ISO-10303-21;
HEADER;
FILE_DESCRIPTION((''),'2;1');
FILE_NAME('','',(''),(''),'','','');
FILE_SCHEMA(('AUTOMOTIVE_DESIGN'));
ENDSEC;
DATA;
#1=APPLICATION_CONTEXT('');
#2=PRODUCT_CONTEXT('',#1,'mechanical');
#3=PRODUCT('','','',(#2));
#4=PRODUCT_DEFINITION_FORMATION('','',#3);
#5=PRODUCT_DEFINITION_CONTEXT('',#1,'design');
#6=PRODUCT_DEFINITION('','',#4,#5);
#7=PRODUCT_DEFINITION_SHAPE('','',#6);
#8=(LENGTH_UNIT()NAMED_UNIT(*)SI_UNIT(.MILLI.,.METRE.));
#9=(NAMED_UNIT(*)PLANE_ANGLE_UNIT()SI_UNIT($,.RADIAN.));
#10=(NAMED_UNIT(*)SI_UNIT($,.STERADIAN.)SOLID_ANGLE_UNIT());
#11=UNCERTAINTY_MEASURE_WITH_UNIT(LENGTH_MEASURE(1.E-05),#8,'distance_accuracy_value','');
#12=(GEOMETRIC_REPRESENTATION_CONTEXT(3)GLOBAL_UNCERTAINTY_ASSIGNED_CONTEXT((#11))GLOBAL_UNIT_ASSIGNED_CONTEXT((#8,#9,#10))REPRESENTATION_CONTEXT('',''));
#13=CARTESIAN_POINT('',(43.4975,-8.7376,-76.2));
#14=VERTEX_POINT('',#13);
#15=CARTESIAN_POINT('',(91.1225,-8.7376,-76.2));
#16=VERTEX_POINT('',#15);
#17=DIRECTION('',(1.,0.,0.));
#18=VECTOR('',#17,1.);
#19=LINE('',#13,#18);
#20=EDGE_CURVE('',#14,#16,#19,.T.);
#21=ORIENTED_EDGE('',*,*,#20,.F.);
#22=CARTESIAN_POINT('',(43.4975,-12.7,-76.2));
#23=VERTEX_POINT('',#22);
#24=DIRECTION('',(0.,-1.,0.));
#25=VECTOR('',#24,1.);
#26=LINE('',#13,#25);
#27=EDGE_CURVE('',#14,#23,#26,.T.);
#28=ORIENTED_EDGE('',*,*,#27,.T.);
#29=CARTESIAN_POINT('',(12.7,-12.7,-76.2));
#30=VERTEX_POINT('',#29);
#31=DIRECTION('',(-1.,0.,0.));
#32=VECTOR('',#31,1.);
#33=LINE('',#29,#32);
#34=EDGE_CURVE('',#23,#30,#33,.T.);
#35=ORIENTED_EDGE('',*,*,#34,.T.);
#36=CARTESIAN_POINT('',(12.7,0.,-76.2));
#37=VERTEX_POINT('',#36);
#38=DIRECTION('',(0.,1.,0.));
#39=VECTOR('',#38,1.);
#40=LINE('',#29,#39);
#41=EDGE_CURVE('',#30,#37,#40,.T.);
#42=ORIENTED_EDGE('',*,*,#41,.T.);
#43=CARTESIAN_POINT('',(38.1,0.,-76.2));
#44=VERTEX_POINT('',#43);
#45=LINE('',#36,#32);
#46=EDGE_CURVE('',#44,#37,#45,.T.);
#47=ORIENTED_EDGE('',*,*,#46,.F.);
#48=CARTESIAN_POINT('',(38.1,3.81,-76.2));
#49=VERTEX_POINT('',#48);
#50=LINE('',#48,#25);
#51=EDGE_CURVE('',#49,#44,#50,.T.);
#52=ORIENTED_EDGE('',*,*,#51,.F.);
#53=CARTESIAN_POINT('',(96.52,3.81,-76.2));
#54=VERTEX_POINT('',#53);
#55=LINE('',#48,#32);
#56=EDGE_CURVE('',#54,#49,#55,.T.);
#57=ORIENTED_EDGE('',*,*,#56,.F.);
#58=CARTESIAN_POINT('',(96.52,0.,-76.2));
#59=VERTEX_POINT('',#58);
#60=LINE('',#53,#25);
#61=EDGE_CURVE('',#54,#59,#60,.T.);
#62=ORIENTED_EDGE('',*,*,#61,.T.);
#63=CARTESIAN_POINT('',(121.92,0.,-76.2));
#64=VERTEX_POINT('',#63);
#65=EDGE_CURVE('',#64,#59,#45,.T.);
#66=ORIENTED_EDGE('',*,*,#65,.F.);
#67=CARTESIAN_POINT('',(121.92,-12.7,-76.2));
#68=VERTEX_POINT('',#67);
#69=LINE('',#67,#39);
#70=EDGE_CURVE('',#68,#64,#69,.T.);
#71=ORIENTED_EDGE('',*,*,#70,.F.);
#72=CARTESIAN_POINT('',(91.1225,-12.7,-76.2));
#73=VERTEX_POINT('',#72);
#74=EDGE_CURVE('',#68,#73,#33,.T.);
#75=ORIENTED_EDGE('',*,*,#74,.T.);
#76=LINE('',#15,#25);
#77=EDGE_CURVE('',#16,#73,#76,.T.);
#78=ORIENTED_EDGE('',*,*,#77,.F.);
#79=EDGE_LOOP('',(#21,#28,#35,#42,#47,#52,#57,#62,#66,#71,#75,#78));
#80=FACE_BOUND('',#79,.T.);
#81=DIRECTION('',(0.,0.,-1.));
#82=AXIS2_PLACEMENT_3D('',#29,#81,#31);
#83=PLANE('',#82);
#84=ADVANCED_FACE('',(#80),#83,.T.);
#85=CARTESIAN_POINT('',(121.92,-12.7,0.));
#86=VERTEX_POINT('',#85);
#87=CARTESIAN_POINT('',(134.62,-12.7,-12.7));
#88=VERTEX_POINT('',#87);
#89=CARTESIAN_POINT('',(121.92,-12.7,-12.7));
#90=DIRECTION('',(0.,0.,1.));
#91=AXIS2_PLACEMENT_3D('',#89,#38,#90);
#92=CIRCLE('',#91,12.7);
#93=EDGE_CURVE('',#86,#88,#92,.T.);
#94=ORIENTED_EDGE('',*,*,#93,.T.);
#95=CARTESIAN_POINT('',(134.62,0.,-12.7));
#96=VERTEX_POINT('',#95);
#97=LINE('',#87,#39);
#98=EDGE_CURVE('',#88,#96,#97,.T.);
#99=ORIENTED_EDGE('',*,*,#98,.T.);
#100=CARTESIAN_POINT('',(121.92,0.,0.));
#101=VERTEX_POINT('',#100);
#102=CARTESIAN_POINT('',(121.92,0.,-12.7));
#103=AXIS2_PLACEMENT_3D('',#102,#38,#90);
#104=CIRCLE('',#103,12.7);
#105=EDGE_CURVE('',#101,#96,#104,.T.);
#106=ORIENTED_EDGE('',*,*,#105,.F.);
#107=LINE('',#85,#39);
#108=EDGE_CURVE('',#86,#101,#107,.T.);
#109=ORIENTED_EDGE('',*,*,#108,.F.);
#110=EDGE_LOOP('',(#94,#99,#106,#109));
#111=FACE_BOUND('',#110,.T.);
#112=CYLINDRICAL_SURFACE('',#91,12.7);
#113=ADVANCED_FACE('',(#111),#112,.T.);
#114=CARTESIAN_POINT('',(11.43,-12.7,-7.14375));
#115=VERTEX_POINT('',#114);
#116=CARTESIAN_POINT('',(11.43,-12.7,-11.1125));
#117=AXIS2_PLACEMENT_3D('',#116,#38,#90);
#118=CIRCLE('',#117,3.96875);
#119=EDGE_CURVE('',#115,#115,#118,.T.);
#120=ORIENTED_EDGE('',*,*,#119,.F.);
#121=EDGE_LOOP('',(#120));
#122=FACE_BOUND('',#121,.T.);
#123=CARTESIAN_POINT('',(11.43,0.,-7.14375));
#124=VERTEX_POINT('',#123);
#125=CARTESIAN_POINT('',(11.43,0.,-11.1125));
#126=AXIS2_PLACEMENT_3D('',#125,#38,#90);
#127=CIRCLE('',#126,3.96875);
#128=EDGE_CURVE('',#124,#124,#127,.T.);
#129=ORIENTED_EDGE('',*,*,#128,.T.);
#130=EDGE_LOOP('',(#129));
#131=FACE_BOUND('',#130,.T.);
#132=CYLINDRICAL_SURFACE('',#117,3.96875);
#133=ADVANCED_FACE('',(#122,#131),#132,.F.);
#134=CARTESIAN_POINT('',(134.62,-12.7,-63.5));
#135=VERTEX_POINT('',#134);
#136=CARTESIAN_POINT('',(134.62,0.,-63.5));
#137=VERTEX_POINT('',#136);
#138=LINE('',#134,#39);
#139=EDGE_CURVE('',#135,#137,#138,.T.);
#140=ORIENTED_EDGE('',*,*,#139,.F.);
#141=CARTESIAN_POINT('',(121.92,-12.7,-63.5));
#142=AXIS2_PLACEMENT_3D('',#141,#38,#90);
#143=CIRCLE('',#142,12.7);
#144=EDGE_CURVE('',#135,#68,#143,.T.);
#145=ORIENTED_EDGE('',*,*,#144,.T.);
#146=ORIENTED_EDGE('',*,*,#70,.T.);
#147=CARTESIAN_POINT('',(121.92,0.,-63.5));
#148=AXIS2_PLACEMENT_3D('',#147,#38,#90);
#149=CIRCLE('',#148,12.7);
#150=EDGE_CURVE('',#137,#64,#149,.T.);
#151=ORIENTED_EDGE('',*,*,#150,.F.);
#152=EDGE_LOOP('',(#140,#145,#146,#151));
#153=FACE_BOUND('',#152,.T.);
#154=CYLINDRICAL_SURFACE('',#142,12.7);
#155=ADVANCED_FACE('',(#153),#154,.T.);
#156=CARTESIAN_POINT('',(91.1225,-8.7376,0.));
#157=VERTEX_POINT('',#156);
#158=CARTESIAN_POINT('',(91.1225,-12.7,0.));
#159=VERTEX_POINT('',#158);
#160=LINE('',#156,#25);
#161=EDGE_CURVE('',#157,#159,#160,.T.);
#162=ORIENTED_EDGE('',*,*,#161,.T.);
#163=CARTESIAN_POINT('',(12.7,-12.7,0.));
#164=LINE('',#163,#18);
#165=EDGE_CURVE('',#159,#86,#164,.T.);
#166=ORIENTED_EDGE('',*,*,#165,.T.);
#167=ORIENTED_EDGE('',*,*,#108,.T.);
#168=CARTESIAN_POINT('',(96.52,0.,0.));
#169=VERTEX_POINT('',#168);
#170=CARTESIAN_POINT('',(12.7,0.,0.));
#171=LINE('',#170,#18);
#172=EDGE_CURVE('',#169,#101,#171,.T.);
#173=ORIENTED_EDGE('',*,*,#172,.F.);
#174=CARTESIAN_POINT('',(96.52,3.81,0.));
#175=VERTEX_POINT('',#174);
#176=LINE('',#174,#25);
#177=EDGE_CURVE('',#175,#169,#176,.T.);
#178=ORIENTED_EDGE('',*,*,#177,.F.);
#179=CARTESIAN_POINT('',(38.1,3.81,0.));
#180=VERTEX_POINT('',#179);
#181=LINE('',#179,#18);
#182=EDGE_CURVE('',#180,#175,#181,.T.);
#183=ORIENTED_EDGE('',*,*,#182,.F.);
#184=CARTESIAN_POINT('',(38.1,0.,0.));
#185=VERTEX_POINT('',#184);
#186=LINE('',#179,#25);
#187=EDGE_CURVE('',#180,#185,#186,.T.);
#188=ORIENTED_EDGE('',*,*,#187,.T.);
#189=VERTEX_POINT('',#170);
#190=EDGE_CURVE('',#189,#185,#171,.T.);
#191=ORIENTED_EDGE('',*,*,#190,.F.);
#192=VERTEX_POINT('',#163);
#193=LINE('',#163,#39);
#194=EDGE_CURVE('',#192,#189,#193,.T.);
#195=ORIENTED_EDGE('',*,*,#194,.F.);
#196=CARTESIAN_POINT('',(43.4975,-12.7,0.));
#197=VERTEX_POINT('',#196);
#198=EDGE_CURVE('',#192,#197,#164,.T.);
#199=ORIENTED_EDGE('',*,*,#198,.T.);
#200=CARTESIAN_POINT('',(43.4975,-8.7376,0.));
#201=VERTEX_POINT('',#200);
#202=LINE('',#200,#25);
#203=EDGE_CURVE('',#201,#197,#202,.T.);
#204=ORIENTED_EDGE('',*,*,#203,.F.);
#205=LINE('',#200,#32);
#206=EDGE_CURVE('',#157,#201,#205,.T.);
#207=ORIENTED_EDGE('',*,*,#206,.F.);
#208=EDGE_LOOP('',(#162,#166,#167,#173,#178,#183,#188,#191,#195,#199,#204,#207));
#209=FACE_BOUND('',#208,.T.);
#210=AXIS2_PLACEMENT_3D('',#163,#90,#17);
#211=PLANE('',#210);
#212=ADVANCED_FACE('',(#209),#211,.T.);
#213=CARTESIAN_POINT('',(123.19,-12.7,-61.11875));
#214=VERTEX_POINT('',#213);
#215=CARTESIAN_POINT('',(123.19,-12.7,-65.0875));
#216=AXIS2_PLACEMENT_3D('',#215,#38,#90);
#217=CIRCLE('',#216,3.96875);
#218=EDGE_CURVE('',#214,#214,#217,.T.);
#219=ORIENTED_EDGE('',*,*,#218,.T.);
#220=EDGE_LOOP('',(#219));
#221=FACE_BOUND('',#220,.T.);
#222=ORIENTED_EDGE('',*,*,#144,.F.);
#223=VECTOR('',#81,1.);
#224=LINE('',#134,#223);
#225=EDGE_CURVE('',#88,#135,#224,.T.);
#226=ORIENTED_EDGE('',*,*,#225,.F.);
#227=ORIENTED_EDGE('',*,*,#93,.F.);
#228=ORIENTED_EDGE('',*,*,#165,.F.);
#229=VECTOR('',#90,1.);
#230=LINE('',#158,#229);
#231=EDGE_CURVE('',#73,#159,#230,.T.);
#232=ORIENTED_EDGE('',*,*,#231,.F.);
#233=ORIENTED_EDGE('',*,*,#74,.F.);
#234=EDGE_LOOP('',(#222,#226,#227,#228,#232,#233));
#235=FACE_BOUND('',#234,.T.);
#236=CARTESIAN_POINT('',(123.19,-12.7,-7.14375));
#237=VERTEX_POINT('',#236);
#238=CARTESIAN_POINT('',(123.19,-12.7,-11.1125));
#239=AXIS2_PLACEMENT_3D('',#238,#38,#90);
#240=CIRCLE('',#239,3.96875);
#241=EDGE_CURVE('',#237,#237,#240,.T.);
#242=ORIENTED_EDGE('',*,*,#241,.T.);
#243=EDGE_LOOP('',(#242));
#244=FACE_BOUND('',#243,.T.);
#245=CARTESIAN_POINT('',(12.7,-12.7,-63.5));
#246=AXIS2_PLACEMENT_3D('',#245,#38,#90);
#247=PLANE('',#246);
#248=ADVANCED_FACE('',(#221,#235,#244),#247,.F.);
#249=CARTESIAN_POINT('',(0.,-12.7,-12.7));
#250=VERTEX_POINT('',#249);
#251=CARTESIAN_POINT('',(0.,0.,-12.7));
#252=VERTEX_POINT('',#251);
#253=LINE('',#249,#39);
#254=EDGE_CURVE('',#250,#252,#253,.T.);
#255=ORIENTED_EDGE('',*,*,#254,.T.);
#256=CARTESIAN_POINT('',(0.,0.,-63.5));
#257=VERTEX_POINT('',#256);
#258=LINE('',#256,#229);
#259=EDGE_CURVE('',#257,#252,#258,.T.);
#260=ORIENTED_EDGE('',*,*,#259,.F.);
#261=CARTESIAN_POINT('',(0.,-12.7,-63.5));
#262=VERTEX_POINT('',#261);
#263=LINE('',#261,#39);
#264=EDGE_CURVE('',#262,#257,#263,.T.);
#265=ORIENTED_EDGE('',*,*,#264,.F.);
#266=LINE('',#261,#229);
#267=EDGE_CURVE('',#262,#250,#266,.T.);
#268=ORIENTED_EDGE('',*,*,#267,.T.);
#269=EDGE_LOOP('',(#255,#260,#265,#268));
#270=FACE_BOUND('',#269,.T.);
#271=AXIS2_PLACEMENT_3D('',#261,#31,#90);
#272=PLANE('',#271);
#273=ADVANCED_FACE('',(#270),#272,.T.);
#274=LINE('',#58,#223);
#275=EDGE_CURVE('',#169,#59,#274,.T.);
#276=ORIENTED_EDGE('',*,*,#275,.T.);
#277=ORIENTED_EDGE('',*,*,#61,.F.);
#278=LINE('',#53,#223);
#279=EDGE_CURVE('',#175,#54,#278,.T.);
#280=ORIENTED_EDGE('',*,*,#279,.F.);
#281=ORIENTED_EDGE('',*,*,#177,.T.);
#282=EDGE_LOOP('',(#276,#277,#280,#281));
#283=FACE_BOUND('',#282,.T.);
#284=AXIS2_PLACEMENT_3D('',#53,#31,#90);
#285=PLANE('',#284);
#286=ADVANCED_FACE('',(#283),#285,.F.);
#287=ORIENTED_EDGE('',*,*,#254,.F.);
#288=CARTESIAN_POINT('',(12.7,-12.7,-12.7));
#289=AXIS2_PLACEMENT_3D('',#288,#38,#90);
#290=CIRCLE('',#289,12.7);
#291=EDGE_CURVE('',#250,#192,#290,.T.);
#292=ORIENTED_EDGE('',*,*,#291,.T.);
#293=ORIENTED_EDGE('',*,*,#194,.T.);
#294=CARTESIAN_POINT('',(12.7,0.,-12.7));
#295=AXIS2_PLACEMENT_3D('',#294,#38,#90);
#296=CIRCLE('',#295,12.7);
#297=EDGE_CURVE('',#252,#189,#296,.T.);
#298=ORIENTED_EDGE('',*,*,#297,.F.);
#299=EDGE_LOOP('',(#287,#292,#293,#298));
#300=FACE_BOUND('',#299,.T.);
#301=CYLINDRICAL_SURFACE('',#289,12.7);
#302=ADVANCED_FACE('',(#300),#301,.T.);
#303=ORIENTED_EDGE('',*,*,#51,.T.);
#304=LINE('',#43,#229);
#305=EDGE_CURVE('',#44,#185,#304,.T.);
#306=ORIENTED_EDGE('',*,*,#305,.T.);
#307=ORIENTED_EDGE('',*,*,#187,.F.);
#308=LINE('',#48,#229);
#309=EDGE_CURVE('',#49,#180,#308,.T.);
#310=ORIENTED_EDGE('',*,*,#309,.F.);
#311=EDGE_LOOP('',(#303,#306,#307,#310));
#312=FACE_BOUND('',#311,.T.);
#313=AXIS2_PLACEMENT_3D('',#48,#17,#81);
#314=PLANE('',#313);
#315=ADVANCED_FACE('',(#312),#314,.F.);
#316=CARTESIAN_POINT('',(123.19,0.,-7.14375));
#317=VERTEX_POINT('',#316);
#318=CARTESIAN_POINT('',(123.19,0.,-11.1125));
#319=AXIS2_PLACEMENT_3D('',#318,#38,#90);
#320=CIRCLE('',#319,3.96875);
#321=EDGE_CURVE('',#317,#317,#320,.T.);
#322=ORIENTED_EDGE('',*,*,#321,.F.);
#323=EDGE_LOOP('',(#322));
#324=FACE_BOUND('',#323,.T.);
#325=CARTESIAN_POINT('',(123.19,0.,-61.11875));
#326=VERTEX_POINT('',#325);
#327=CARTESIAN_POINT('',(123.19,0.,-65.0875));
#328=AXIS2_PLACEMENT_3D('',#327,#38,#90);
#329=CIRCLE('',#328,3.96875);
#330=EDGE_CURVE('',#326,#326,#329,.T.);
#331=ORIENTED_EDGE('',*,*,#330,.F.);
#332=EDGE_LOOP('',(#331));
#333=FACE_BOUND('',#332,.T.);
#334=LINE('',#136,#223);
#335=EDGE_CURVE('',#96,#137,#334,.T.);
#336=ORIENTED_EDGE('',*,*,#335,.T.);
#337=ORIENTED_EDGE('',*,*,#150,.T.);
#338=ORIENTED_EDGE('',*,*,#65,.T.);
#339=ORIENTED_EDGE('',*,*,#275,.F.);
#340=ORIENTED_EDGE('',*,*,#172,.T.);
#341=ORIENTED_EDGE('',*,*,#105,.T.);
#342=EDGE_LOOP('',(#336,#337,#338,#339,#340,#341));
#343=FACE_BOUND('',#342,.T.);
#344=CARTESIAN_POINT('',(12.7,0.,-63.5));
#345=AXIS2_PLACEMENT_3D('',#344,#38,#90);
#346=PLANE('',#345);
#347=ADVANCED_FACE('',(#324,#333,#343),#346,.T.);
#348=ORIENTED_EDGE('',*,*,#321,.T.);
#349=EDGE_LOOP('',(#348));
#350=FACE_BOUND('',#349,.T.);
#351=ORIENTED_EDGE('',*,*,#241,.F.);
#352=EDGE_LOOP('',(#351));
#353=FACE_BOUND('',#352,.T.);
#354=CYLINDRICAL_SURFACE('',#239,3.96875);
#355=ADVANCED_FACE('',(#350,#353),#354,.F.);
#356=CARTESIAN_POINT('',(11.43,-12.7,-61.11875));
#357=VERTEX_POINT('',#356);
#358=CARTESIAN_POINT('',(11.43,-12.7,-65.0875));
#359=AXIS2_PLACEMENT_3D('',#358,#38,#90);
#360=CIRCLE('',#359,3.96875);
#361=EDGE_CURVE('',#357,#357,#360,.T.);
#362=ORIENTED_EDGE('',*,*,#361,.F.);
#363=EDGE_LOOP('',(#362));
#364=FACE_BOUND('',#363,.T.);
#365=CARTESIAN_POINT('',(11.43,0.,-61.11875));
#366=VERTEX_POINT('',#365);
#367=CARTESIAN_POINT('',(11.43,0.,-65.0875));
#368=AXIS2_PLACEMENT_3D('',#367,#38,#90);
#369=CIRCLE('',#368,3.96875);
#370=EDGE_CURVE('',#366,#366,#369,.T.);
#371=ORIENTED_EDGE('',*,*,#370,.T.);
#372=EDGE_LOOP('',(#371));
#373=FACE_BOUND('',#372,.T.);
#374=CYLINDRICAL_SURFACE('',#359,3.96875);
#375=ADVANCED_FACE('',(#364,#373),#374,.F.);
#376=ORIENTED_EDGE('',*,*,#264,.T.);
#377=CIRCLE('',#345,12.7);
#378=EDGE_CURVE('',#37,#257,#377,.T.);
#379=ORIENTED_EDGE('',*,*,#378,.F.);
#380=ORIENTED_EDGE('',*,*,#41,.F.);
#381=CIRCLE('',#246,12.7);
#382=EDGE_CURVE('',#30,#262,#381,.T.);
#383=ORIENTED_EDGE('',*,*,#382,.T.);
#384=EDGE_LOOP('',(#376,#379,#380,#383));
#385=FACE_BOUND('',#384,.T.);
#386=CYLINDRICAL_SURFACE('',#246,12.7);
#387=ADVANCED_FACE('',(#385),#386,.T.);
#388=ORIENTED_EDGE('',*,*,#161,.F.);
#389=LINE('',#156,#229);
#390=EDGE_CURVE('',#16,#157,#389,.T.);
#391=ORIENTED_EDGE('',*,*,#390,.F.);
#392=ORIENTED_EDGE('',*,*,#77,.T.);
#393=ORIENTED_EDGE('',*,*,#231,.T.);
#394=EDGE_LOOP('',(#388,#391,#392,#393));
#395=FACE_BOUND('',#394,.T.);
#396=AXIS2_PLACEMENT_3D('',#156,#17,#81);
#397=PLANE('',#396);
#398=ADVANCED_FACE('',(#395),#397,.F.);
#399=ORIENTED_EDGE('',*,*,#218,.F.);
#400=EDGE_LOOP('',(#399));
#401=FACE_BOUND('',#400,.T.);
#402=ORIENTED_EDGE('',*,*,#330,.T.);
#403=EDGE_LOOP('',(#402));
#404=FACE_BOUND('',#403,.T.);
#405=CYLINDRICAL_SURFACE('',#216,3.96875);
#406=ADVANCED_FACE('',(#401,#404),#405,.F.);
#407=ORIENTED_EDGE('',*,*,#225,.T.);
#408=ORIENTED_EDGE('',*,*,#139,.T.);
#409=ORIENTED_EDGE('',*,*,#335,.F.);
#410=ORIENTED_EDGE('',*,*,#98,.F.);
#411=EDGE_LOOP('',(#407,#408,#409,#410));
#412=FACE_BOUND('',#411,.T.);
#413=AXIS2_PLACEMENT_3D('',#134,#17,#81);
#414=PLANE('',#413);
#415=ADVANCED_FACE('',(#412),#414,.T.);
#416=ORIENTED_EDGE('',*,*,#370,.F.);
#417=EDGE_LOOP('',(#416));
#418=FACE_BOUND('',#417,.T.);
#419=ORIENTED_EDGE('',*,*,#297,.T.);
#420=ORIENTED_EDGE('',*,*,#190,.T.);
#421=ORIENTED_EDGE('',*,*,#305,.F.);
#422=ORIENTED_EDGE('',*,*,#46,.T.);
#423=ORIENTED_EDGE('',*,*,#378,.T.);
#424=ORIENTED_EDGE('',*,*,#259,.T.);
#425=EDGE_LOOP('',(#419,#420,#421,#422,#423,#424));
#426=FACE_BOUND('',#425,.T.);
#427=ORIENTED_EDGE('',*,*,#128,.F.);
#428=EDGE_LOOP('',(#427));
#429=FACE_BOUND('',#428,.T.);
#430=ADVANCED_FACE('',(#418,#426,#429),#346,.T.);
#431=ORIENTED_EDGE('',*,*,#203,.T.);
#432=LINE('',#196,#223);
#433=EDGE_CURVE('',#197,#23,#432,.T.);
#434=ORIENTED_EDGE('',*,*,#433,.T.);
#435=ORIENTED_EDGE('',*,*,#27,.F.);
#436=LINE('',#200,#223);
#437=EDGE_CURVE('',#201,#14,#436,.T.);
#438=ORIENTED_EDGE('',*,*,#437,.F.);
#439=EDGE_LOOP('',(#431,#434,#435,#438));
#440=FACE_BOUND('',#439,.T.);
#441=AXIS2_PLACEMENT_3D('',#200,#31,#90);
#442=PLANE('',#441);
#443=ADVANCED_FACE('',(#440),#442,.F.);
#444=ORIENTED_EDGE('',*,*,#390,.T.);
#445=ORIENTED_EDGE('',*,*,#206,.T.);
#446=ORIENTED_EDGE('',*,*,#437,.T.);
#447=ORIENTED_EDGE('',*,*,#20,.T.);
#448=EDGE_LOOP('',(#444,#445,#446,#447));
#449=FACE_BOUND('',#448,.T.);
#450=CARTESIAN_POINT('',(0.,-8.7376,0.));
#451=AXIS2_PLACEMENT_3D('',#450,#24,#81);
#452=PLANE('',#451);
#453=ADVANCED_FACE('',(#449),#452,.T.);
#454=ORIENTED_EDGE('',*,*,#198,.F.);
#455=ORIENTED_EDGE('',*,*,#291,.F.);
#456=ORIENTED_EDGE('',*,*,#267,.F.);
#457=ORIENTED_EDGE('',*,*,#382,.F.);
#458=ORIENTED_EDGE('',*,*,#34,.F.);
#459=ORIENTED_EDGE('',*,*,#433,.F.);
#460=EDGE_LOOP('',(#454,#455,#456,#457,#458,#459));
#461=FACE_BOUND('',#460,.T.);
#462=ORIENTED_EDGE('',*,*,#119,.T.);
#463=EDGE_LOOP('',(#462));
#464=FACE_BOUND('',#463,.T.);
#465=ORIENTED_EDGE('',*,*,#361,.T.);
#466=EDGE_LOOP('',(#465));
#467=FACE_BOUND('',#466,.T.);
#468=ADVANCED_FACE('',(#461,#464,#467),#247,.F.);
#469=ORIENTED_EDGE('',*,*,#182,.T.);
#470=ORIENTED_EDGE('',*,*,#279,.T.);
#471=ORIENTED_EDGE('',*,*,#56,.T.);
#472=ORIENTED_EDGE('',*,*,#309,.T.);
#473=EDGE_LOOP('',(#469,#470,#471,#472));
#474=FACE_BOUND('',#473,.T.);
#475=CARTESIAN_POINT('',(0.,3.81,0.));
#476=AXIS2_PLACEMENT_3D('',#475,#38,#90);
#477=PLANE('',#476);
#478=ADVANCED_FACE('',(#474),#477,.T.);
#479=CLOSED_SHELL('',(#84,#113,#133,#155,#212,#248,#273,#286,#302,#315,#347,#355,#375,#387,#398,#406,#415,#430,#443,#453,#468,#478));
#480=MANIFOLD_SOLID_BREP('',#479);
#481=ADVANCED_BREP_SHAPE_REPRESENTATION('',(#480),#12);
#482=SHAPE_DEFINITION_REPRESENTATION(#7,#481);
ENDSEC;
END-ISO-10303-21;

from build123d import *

# Parameters (mm, degrees)
SKETCH1_R           = 3.96875
BOSS_EXTRUDE1_DEPTH = 12.7
SKETCH3_W           = 58.42
SKETCH3_H           = 76.2
BOSS_EXTRUDE2_DEPTH = 3.81
SKETCH4_W           = 47.625
SKETCH4_H           = 76.2
CUT_EXTRUDE1_DEPTH  = 3.9624


with BuildPart() as part:
    # Sketch1 → Boss-Extrude1 (new body)
    with BuildSketch(Plane(origin=(0, 0, 0), x_dir=(1, 0, 0), z_dir=(0, 1, 0))):
        with BuildLine():
            Line((12.7, 76.2), (121.92, 76.2))
            ThreePointArc((121.92, 76.2), (130.900256121, 72.480256121), (134.62, 63.5))
            Line((134.62, 63.5), (134.62, 12.7))
            ThreePointArc((134.62, 12.7), (130.900256121, 3.719743879), (121.92, 0))
            Line((121.92, 0), (12.7, 0))
            ThreePointArc((12.7, 0), (3.719743879, 3.719743879), (0, 12.7))
            Line((0, 12.7), (0, 63.5))
            ThreePointArc((0, 63.5), (3.719743879, 72.480256121), (12.7, 76.2))
        make_face()
        with Locations((11.43, 65.0875)):
            Circle(SKETCH1_R, mode=Mode.SUBTRACT)
        with Locations((123.19, 65.0875)):
            Circle(SKETCH1_R, mode=Mode.SUBTRACT)
        with Locations((123.19, 11.1125)):
            Circle(SKETCH1_R, mode=Mode.SUBTRACT)
        with Locations((11.43, 11.1125)):
            Circle(SKETCH1_R, mode=Mode.SUBTRACT)
    extrude(amount=-BOSS_EXTRUDE1_DEPTH)

    # Sketch3 → Boss-Extrude2 (add)
    with BuildSketch(Plane(origin=(0, 0, 0), x_dir=(1, 0, 0), z_dir=(0, 1, 0))):
        with Locations((67.31, 38.1)):
            Rectangle(SKETCH3_W, SKETCH3_H)
    extrude(amount=BOSS_EXTRUDE2_DEPTH)

    # Sketch4 → Cut-Extrude1 (cut)
    with BuildSketch(Plane.XZ.offset(12.7)):
        with Locations((67.31, -38.1)):
            Rectangle(SKETCH4_W, SKETCH4_H)
    extrude(amount=-CUT_EXTRUDE1_DEPTH, mode=Mode.SUBTRACT)


solid = part.part
